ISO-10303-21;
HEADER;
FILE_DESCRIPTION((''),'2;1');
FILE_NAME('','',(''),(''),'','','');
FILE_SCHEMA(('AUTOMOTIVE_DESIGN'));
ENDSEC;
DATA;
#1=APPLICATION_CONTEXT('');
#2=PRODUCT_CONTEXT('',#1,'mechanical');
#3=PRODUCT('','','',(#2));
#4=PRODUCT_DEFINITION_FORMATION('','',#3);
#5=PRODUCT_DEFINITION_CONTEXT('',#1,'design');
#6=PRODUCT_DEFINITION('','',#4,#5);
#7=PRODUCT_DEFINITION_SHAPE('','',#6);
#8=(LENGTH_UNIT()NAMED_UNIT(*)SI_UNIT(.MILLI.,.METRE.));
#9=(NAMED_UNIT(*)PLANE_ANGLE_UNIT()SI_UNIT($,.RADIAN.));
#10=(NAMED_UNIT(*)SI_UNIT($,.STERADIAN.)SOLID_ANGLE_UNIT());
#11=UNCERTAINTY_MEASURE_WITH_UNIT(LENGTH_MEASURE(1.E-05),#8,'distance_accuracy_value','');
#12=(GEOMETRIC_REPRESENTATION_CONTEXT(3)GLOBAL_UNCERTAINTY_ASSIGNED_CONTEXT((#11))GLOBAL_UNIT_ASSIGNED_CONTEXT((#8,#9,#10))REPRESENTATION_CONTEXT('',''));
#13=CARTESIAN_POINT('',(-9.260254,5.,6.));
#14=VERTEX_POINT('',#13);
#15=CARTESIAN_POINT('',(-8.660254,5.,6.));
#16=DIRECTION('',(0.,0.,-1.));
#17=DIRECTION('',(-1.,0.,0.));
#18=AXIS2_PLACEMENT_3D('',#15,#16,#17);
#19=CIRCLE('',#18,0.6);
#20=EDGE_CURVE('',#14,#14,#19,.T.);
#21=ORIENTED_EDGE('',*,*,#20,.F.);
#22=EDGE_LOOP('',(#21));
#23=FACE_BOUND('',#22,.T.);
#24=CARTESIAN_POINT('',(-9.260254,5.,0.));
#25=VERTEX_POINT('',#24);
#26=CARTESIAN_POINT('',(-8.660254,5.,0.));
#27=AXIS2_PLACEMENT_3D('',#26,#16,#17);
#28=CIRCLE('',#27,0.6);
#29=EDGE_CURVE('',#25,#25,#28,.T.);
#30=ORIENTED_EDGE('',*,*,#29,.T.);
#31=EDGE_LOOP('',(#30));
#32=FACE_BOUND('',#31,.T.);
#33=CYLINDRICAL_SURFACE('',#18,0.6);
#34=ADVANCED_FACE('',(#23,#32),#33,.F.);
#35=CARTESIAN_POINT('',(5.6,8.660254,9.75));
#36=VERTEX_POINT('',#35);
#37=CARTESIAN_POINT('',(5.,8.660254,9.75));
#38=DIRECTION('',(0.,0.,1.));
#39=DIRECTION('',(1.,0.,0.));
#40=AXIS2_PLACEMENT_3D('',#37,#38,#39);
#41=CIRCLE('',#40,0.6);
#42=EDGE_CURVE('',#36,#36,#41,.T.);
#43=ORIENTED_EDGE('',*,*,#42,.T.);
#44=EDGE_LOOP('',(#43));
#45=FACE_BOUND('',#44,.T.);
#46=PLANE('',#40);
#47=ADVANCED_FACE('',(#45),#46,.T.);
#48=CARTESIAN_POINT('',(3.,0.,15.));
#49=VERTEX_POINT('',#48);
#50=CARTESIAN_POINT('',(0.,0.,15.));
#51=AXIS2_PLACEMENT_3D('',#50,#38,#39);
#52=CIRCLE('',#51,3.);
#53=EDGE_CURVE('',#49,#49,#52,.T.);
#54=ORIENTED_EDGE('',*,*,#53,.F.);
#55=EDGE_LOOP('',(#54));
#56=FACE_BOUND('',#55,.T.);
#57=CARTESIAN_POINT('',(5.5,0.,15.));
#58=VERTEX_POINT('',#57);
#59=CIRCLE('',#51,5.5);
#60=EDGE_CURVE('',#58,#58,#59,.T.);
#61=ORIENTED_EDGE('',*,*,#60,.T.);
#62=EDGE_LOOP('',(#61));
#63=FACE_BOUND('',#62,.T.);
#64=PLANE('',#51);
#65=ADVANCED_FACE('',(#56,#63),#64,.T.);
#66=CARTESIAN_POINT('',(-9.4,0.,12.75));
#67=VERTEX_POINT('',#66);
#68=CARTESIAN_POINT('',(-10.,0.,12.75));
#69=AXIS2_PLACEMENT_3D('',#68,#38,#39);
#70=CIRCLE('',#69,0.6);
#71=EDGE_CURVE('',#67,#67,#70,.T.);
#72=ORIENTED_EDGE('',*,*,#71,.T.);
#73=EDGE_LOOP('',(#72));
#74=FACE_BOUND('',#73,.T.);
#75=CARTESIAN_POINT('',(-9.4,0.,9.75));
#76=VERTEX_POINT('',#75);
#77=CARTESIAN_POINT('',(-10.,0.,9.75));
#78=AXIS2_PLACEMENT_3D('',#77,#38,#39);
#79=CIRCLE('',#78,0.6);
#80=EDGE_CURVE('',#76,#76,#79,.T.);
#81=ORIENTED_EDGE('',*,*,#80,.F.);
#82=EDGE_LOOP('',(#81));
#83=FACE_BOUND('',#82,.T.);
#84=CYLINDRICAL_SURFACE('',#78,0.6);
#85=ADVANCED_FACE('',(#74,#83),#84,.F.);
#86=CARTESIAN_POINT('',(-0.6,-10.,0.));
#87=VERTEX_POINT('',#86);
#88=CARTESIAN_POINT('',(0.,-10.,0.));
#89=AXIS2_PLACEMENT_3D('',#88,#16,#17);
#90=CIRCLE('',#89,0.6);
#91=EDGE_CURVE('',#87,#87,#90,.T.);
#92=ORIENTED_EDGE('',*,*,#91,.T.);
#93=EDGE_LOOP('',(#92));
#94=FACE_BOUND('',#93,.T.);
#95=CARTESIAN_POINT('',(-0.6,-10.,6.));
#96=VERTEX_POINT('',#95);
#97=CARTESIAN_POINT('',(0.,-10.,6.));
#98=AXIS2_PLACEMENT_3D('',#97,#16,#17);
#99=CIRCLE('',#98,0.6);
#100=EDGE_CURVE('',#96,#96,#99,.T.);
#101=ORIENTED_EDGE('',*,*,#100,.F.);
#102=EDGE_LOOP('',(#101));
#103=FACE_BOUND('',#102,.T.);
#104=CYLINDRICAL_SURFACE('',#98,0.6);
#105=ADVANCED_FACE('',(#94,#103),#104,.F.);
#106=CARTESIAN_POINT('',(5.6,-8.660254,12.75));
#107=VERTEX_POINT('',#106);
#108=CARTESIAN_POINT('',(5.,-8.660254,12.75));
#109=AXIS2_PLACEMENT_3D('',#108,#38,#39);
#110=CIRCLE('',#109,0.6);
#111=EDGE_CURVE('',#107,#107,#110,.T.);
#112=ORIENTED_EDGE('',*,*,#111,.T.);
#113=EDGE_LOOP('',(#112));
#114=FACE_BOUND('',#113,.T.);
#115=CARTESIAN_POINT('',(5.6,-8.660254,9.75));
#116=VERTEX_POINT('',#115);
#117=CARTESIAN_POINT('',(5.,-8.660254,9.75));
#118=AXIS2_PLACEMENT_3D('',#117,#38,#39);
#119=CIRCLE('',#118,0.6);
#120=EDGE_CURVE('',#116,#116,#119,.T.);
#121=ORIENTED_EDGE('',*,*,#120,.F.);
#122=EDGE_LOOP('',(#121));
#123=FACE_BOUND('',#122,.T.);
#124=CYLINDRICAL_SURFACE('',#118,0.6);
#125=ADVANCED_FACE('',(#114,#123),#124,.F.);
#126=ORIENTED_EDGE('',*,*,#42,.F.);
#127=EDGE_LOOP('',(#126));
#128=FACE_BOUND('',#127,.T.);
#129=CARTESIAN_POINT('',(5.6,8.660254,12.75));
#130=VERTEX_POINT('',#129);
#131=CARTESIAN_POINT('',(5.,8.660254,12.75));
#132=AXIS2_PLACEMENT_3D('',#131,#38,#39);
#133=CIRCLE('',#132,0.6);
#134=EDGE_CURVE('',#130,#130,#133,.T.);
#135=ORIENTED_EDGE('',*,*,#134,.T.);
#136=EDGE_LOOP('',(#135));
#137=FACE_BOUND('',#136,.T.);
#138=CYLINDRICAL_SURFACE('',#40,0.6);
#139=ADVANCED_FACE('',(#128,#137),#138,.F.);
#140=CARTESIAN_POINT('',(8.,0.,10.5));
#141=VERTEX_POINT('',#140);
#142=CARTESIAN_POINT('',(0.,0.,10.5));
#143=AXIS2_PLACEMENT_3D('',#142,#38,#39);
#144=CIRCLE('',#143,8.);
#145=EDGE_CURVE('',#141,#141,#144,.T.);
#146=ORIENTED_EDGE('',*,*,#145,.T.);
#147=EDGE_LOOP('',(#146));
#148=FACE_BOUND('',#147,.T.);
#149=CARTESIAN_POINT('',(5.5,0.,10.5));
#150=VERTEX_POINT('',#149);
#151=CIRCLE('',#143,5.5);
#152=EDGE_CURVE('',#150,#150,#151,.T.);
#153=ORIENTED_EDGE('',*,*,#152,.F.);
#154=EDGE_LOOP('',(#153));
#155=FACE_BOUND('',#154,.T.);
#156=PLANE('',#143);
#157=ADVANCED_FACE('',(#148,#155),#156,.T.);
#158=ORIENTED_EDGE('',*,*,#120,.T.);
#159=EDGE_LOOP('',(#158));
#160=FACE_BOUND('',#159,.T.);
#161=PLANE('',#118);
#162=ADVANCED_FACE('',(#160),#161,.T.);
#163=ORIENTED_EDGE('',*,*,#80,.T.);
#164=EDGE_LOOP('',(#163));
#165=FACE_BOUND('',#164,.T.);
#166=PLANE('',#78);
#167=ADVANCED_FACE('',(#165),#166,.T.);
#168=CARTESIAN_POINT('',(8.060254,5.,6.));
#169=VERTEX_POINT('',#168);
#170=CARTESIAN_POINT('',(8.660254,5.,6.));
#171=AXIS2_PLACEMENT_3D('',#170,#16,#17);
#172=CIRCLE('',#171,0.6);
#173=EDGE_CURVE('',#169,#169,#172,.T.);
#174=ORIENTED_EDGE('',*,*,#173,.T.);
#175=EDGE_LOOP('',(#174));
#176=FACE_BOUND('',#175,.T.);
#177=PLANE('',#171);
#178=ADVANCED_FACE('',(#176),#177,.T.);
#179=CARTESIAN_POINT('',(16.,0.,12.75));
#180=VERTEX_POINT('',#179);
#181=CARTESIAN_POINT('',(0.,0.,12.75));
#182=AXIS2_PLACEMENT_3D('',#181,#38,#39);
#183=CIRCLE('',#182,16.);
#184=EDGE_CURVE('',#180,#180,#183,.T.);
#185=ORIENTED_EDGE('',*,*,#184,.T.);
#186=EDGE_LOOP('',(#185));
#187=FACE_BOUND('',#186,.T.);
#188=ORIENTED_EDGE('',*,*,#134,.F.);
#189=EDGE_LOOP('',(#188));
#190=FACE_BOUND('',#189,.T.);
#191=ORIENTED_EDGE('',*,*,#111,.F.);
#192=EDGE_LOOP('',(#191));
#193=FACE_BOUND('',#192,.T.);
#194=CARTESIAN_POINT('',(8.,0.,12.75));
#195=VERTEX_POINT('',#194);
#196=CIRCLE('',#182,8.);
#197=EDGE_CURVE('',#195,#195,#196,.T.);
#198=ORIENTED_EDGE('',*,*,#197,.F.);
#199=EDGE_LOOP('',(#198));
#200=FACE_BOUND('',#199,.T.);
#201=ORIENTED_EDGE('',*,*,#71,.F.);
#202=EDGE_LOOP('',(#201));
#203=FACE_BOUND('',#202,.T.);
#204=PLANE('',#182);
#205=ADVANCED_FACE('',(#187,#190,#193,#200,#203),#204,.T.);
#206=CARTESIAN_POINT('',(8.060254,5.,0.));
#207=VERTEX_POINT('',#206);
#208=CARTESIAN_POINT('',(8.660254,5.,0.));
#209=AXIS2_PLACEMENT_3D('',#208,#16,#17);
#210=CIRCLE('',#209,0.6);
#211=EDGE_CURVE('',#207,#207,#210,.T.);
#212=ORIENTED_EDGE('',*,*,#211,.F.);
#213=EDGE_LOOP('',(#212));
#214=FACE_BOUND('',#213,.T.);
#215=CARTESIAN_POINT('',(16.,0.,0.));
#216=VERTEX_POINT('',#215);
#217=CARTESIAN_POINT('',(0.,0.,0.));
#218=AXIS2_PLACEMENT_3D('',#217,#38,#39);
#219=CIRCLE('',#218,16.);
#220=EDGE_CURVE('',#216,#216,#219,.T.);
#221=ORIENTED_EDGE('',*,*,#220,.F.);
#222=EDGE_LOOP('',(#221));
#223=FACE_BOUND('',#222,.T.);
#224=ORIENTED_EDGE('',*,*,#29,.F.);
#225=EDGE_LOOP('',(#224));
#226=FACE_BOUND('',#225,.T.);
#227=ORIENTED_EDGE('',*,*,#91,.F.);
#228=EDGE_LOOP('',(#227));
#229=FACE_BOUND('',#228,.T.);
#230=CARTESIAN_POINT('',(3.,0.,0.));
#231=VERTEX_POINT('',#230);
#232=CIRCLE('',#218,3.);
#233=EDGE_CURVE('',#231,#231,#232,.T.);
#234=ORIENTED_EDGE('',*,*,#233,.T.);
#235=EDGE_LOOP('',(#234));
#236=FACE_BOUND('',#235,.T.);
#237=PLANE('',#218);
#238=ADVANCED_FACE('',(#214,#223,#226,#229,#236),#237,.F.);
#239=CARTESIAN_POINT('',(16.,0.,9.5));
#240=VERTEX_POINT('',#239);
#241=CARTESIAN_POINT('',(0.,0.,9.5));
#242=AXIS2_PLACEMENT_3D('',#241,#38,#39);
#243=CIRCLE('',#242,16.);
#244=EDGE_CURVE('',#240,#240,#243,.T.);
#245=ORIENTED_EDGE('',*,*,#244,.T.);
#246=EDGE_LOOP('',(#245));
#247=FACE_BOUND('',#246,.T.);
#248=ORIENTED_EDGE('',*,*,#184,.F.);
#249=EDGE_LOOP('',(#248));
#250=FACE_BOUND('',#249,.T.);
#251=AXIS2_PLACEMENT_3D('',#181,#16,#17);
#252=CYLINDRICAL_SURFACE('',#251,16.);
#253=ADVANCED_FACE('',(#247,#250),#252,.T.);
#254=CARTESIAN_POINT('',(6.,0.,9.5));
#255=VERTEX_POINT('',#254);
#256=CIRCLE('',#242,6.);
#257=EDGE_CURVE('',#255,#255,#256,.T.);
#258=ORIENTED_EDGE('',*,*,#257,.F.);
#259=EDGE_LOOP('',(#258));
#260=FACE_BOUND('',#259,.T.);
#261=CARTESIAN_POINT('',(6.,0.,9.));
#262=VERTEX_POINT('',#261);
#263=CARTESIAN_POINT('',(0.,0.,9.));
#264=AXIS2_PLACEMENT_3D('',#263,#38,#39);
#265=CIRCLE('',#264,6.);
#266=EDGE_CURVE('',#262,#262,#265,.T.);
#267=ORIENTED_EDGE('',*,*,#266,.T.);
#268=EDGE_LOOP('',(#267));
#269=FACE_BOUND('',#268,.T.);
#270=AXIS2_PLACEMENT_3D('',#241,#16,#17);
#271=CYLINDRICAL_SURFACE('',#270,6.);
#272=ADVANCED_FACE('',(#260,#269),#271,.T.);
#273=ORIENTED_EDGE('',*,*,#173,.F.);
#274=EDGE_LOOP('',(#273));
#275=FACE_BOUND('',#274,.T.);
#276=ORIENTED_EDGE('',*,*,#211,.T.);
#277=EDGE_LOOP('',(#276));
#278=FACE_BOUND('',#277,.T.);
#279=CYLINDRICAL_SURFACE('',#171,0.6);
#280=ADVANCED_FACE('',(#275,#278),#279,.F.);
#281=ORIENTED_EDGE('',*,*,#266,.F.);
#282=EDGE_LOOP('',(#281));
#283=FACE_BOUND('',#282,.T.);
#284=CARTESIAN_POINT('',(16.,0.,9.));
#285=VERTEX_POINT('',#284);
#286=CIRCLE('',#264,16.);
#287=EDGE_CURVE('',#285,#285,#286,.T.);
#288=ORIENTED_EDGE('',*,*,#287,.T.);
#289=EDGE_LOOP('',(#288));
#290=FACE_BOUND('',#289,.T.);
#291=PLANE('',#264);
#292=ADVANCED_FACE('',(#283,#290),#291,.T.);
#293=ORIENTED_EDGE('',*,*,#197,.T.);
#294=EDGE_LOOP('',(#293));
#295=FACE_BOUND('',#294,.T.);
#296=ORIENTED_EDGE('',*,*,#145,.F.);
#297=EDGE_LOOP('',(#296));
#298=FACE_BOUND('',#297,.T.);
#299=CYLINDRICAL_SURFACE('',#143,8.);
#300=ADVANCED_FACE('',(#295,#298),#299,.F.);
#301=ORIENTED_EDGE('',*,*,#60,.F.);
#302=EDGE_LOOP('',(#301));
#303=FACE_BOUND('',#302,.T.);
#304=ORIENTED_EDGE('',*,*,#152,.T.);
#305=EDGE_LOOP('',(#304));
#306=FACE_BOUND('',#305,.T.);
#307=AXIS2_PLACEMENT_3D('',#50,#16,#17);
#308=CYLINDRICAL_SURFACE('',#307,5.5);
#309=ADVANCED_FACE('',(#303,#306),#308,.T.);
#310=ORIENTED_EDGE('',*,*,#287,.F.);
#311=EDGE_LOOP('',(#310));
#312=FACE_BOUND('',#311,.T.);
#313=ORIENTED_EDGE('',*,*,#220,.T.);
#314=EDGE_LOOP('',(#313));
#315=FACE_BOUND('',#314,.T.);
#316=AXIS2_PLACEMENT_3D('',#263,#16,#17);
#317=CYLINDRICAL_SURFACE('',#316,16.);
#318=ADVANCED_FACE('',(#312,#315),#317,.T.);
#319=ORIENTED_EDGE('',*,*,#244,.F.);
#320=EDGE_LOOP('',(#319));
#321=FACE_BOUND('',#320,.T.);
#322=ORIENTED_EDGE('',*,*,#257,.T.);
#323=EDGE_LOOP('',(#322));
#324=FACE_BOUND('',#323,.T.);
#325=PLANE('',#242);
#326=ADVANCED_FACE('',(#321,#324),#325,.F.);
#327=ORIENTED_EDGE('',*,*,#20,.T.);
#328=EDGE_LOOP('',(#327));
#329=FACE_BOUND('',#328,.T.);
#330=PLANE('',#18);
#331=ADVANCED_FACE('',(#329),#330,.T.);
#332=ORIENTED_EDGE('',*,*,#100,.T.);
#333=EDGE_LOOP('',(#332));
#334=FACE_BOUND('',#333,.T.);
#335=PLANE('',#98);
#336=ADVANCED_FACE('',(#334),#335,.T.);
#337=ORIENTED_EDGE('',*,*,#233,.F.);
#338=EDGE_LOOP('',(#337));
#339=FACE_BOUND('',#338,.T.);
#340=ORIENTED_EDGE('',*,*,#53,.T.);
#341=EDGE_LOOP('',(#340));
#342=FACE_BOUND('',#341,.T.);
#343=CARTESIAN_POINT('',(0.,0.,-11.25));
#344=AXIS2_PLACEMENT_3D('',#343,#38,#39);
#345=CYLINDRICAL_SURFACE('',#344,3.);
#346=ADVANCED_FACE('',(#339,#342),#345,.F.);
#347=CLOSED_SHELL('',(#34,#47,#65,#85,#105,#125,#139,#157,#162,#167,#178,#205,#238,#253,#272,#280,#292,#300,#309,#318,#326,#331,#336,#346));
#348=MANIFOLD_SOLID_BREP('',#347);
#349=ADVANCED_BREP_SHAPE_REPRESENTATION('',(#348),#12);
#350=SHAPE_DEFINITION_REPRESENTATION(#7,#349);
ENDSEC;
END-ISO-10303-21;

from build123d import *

# Parameters (mm, degrees)
SKETCH_1_R          = 16
EXTRUDE_1_DEPTH     = 9
SKETCH_2_R          = 6
EXTRUDE_2_DEPTH     = 0.5
SKETCH_3_R          = 16
EXTRUDE_3_DEPTH     = 3.25
SKETCH_4_R          = 5.5
EXTRUDE_4_DEPTH     = 2.25
SKETCH_5_R          = 3
CUT_EXTRUDE_1_DEPTH = 26.25
SKETCH_6_R          = 8
SKETCH_6_R_2        = 5.5
CUT_EXTRUDE_2_DEPTH = 2.25
SKETCH_7_R          = 0.6
CUT_EXTRUDE_3_DEPTH = 6
SKETCH_8_R          = 0.6
CUT_EXTRUDE_4_DEPTH = 3


with BuildPart() as part:
    # 草图1 → 凸台-拉伸1 (new body)
    with BuildSketch(Plane.XY):
        Circle(SKETCH_1_R)
    extrude(amount=EXTRUDE_1_DEPTH)

    # 草图2 → 凸台-拉伸2 (add)
    with BuildSketch(Plane.XY.offset(9)):
        Circle(SKETCH_2_R)
    extrude(amount=EXTRUDE_2_DEPTH)

    # 草图3 → 凸台-拉伸3 (add)
    with BuildSketch(Plane.XY.offset(9.5)):
        Circle(SKETCH_3_R)
    extrude(amount=EXTRUDE_3_DEPTH)

    # 草图4 → 凸台-拉伸4 (add)
    with BuildSketch(Plane.XY.offset(12.75)):
        Circle(SKETCH_4_R)
    extrude(amount=EXTRUDE_4_DEPTH)

    # 草图5 → 切除-拉伸1 (cut)
    with BuildSketch(Plane.XY.offset(15)):
        Circle(SKETCH_5_R)
    extrude(amount=-CUT_EXTRUDE_1_DEPTH, mode=Mode.SUBTRACT)

    # 草图6 → 切除-拉伸2 (cut)
    with BuildSketch(Plane.XY.offset(12.75)):
        Circle(SKETCH_6_R)
        Circle(SKETCH_6_R_2, mode=Mode.SUBTRACT)
    extrude(amount=-CUT_EXTRUDE_2_DEPTH, mode=Mode.SUBTRACT)

    # 草图7 → 切除-拉伸3 (cut)
    with BuildSketch(Plane(origin=(0, 0, 0), x_dir=(-1, 0, 0), z_dir=(0, 0, -1))):
        with Locations((8.660254038, 5)):
            Circle(SKETCH_7_R)
        with Locations((-8.660254038, 5)):
            Circle(SKETCH_7_R)
        with Locations((0, -10)):
            Circle(SKETCH_7_R)
    extrude(amount=-CUT_EXTRUDE_3_DEPTH, mode=Mode.SUBTRACT)

    # 草图8 → 切除-拉伸4 (cut)
    with BuildSketch(Plane.XY.offset(12.75)):
        with Locations((5, -8.660254038)):
            Circle(SKETCH_8_R)
        with Locations((5, 8.660254038)):
            Circle(SKETCH_8_R)
        with Locations((-10, 0)):
            Circle(SKETCH_8_R)
    extrude(amount=-CUT_EXTRUDE_4_DEPTH, mode=Mode.SUBTRACT)


solid = part.part
